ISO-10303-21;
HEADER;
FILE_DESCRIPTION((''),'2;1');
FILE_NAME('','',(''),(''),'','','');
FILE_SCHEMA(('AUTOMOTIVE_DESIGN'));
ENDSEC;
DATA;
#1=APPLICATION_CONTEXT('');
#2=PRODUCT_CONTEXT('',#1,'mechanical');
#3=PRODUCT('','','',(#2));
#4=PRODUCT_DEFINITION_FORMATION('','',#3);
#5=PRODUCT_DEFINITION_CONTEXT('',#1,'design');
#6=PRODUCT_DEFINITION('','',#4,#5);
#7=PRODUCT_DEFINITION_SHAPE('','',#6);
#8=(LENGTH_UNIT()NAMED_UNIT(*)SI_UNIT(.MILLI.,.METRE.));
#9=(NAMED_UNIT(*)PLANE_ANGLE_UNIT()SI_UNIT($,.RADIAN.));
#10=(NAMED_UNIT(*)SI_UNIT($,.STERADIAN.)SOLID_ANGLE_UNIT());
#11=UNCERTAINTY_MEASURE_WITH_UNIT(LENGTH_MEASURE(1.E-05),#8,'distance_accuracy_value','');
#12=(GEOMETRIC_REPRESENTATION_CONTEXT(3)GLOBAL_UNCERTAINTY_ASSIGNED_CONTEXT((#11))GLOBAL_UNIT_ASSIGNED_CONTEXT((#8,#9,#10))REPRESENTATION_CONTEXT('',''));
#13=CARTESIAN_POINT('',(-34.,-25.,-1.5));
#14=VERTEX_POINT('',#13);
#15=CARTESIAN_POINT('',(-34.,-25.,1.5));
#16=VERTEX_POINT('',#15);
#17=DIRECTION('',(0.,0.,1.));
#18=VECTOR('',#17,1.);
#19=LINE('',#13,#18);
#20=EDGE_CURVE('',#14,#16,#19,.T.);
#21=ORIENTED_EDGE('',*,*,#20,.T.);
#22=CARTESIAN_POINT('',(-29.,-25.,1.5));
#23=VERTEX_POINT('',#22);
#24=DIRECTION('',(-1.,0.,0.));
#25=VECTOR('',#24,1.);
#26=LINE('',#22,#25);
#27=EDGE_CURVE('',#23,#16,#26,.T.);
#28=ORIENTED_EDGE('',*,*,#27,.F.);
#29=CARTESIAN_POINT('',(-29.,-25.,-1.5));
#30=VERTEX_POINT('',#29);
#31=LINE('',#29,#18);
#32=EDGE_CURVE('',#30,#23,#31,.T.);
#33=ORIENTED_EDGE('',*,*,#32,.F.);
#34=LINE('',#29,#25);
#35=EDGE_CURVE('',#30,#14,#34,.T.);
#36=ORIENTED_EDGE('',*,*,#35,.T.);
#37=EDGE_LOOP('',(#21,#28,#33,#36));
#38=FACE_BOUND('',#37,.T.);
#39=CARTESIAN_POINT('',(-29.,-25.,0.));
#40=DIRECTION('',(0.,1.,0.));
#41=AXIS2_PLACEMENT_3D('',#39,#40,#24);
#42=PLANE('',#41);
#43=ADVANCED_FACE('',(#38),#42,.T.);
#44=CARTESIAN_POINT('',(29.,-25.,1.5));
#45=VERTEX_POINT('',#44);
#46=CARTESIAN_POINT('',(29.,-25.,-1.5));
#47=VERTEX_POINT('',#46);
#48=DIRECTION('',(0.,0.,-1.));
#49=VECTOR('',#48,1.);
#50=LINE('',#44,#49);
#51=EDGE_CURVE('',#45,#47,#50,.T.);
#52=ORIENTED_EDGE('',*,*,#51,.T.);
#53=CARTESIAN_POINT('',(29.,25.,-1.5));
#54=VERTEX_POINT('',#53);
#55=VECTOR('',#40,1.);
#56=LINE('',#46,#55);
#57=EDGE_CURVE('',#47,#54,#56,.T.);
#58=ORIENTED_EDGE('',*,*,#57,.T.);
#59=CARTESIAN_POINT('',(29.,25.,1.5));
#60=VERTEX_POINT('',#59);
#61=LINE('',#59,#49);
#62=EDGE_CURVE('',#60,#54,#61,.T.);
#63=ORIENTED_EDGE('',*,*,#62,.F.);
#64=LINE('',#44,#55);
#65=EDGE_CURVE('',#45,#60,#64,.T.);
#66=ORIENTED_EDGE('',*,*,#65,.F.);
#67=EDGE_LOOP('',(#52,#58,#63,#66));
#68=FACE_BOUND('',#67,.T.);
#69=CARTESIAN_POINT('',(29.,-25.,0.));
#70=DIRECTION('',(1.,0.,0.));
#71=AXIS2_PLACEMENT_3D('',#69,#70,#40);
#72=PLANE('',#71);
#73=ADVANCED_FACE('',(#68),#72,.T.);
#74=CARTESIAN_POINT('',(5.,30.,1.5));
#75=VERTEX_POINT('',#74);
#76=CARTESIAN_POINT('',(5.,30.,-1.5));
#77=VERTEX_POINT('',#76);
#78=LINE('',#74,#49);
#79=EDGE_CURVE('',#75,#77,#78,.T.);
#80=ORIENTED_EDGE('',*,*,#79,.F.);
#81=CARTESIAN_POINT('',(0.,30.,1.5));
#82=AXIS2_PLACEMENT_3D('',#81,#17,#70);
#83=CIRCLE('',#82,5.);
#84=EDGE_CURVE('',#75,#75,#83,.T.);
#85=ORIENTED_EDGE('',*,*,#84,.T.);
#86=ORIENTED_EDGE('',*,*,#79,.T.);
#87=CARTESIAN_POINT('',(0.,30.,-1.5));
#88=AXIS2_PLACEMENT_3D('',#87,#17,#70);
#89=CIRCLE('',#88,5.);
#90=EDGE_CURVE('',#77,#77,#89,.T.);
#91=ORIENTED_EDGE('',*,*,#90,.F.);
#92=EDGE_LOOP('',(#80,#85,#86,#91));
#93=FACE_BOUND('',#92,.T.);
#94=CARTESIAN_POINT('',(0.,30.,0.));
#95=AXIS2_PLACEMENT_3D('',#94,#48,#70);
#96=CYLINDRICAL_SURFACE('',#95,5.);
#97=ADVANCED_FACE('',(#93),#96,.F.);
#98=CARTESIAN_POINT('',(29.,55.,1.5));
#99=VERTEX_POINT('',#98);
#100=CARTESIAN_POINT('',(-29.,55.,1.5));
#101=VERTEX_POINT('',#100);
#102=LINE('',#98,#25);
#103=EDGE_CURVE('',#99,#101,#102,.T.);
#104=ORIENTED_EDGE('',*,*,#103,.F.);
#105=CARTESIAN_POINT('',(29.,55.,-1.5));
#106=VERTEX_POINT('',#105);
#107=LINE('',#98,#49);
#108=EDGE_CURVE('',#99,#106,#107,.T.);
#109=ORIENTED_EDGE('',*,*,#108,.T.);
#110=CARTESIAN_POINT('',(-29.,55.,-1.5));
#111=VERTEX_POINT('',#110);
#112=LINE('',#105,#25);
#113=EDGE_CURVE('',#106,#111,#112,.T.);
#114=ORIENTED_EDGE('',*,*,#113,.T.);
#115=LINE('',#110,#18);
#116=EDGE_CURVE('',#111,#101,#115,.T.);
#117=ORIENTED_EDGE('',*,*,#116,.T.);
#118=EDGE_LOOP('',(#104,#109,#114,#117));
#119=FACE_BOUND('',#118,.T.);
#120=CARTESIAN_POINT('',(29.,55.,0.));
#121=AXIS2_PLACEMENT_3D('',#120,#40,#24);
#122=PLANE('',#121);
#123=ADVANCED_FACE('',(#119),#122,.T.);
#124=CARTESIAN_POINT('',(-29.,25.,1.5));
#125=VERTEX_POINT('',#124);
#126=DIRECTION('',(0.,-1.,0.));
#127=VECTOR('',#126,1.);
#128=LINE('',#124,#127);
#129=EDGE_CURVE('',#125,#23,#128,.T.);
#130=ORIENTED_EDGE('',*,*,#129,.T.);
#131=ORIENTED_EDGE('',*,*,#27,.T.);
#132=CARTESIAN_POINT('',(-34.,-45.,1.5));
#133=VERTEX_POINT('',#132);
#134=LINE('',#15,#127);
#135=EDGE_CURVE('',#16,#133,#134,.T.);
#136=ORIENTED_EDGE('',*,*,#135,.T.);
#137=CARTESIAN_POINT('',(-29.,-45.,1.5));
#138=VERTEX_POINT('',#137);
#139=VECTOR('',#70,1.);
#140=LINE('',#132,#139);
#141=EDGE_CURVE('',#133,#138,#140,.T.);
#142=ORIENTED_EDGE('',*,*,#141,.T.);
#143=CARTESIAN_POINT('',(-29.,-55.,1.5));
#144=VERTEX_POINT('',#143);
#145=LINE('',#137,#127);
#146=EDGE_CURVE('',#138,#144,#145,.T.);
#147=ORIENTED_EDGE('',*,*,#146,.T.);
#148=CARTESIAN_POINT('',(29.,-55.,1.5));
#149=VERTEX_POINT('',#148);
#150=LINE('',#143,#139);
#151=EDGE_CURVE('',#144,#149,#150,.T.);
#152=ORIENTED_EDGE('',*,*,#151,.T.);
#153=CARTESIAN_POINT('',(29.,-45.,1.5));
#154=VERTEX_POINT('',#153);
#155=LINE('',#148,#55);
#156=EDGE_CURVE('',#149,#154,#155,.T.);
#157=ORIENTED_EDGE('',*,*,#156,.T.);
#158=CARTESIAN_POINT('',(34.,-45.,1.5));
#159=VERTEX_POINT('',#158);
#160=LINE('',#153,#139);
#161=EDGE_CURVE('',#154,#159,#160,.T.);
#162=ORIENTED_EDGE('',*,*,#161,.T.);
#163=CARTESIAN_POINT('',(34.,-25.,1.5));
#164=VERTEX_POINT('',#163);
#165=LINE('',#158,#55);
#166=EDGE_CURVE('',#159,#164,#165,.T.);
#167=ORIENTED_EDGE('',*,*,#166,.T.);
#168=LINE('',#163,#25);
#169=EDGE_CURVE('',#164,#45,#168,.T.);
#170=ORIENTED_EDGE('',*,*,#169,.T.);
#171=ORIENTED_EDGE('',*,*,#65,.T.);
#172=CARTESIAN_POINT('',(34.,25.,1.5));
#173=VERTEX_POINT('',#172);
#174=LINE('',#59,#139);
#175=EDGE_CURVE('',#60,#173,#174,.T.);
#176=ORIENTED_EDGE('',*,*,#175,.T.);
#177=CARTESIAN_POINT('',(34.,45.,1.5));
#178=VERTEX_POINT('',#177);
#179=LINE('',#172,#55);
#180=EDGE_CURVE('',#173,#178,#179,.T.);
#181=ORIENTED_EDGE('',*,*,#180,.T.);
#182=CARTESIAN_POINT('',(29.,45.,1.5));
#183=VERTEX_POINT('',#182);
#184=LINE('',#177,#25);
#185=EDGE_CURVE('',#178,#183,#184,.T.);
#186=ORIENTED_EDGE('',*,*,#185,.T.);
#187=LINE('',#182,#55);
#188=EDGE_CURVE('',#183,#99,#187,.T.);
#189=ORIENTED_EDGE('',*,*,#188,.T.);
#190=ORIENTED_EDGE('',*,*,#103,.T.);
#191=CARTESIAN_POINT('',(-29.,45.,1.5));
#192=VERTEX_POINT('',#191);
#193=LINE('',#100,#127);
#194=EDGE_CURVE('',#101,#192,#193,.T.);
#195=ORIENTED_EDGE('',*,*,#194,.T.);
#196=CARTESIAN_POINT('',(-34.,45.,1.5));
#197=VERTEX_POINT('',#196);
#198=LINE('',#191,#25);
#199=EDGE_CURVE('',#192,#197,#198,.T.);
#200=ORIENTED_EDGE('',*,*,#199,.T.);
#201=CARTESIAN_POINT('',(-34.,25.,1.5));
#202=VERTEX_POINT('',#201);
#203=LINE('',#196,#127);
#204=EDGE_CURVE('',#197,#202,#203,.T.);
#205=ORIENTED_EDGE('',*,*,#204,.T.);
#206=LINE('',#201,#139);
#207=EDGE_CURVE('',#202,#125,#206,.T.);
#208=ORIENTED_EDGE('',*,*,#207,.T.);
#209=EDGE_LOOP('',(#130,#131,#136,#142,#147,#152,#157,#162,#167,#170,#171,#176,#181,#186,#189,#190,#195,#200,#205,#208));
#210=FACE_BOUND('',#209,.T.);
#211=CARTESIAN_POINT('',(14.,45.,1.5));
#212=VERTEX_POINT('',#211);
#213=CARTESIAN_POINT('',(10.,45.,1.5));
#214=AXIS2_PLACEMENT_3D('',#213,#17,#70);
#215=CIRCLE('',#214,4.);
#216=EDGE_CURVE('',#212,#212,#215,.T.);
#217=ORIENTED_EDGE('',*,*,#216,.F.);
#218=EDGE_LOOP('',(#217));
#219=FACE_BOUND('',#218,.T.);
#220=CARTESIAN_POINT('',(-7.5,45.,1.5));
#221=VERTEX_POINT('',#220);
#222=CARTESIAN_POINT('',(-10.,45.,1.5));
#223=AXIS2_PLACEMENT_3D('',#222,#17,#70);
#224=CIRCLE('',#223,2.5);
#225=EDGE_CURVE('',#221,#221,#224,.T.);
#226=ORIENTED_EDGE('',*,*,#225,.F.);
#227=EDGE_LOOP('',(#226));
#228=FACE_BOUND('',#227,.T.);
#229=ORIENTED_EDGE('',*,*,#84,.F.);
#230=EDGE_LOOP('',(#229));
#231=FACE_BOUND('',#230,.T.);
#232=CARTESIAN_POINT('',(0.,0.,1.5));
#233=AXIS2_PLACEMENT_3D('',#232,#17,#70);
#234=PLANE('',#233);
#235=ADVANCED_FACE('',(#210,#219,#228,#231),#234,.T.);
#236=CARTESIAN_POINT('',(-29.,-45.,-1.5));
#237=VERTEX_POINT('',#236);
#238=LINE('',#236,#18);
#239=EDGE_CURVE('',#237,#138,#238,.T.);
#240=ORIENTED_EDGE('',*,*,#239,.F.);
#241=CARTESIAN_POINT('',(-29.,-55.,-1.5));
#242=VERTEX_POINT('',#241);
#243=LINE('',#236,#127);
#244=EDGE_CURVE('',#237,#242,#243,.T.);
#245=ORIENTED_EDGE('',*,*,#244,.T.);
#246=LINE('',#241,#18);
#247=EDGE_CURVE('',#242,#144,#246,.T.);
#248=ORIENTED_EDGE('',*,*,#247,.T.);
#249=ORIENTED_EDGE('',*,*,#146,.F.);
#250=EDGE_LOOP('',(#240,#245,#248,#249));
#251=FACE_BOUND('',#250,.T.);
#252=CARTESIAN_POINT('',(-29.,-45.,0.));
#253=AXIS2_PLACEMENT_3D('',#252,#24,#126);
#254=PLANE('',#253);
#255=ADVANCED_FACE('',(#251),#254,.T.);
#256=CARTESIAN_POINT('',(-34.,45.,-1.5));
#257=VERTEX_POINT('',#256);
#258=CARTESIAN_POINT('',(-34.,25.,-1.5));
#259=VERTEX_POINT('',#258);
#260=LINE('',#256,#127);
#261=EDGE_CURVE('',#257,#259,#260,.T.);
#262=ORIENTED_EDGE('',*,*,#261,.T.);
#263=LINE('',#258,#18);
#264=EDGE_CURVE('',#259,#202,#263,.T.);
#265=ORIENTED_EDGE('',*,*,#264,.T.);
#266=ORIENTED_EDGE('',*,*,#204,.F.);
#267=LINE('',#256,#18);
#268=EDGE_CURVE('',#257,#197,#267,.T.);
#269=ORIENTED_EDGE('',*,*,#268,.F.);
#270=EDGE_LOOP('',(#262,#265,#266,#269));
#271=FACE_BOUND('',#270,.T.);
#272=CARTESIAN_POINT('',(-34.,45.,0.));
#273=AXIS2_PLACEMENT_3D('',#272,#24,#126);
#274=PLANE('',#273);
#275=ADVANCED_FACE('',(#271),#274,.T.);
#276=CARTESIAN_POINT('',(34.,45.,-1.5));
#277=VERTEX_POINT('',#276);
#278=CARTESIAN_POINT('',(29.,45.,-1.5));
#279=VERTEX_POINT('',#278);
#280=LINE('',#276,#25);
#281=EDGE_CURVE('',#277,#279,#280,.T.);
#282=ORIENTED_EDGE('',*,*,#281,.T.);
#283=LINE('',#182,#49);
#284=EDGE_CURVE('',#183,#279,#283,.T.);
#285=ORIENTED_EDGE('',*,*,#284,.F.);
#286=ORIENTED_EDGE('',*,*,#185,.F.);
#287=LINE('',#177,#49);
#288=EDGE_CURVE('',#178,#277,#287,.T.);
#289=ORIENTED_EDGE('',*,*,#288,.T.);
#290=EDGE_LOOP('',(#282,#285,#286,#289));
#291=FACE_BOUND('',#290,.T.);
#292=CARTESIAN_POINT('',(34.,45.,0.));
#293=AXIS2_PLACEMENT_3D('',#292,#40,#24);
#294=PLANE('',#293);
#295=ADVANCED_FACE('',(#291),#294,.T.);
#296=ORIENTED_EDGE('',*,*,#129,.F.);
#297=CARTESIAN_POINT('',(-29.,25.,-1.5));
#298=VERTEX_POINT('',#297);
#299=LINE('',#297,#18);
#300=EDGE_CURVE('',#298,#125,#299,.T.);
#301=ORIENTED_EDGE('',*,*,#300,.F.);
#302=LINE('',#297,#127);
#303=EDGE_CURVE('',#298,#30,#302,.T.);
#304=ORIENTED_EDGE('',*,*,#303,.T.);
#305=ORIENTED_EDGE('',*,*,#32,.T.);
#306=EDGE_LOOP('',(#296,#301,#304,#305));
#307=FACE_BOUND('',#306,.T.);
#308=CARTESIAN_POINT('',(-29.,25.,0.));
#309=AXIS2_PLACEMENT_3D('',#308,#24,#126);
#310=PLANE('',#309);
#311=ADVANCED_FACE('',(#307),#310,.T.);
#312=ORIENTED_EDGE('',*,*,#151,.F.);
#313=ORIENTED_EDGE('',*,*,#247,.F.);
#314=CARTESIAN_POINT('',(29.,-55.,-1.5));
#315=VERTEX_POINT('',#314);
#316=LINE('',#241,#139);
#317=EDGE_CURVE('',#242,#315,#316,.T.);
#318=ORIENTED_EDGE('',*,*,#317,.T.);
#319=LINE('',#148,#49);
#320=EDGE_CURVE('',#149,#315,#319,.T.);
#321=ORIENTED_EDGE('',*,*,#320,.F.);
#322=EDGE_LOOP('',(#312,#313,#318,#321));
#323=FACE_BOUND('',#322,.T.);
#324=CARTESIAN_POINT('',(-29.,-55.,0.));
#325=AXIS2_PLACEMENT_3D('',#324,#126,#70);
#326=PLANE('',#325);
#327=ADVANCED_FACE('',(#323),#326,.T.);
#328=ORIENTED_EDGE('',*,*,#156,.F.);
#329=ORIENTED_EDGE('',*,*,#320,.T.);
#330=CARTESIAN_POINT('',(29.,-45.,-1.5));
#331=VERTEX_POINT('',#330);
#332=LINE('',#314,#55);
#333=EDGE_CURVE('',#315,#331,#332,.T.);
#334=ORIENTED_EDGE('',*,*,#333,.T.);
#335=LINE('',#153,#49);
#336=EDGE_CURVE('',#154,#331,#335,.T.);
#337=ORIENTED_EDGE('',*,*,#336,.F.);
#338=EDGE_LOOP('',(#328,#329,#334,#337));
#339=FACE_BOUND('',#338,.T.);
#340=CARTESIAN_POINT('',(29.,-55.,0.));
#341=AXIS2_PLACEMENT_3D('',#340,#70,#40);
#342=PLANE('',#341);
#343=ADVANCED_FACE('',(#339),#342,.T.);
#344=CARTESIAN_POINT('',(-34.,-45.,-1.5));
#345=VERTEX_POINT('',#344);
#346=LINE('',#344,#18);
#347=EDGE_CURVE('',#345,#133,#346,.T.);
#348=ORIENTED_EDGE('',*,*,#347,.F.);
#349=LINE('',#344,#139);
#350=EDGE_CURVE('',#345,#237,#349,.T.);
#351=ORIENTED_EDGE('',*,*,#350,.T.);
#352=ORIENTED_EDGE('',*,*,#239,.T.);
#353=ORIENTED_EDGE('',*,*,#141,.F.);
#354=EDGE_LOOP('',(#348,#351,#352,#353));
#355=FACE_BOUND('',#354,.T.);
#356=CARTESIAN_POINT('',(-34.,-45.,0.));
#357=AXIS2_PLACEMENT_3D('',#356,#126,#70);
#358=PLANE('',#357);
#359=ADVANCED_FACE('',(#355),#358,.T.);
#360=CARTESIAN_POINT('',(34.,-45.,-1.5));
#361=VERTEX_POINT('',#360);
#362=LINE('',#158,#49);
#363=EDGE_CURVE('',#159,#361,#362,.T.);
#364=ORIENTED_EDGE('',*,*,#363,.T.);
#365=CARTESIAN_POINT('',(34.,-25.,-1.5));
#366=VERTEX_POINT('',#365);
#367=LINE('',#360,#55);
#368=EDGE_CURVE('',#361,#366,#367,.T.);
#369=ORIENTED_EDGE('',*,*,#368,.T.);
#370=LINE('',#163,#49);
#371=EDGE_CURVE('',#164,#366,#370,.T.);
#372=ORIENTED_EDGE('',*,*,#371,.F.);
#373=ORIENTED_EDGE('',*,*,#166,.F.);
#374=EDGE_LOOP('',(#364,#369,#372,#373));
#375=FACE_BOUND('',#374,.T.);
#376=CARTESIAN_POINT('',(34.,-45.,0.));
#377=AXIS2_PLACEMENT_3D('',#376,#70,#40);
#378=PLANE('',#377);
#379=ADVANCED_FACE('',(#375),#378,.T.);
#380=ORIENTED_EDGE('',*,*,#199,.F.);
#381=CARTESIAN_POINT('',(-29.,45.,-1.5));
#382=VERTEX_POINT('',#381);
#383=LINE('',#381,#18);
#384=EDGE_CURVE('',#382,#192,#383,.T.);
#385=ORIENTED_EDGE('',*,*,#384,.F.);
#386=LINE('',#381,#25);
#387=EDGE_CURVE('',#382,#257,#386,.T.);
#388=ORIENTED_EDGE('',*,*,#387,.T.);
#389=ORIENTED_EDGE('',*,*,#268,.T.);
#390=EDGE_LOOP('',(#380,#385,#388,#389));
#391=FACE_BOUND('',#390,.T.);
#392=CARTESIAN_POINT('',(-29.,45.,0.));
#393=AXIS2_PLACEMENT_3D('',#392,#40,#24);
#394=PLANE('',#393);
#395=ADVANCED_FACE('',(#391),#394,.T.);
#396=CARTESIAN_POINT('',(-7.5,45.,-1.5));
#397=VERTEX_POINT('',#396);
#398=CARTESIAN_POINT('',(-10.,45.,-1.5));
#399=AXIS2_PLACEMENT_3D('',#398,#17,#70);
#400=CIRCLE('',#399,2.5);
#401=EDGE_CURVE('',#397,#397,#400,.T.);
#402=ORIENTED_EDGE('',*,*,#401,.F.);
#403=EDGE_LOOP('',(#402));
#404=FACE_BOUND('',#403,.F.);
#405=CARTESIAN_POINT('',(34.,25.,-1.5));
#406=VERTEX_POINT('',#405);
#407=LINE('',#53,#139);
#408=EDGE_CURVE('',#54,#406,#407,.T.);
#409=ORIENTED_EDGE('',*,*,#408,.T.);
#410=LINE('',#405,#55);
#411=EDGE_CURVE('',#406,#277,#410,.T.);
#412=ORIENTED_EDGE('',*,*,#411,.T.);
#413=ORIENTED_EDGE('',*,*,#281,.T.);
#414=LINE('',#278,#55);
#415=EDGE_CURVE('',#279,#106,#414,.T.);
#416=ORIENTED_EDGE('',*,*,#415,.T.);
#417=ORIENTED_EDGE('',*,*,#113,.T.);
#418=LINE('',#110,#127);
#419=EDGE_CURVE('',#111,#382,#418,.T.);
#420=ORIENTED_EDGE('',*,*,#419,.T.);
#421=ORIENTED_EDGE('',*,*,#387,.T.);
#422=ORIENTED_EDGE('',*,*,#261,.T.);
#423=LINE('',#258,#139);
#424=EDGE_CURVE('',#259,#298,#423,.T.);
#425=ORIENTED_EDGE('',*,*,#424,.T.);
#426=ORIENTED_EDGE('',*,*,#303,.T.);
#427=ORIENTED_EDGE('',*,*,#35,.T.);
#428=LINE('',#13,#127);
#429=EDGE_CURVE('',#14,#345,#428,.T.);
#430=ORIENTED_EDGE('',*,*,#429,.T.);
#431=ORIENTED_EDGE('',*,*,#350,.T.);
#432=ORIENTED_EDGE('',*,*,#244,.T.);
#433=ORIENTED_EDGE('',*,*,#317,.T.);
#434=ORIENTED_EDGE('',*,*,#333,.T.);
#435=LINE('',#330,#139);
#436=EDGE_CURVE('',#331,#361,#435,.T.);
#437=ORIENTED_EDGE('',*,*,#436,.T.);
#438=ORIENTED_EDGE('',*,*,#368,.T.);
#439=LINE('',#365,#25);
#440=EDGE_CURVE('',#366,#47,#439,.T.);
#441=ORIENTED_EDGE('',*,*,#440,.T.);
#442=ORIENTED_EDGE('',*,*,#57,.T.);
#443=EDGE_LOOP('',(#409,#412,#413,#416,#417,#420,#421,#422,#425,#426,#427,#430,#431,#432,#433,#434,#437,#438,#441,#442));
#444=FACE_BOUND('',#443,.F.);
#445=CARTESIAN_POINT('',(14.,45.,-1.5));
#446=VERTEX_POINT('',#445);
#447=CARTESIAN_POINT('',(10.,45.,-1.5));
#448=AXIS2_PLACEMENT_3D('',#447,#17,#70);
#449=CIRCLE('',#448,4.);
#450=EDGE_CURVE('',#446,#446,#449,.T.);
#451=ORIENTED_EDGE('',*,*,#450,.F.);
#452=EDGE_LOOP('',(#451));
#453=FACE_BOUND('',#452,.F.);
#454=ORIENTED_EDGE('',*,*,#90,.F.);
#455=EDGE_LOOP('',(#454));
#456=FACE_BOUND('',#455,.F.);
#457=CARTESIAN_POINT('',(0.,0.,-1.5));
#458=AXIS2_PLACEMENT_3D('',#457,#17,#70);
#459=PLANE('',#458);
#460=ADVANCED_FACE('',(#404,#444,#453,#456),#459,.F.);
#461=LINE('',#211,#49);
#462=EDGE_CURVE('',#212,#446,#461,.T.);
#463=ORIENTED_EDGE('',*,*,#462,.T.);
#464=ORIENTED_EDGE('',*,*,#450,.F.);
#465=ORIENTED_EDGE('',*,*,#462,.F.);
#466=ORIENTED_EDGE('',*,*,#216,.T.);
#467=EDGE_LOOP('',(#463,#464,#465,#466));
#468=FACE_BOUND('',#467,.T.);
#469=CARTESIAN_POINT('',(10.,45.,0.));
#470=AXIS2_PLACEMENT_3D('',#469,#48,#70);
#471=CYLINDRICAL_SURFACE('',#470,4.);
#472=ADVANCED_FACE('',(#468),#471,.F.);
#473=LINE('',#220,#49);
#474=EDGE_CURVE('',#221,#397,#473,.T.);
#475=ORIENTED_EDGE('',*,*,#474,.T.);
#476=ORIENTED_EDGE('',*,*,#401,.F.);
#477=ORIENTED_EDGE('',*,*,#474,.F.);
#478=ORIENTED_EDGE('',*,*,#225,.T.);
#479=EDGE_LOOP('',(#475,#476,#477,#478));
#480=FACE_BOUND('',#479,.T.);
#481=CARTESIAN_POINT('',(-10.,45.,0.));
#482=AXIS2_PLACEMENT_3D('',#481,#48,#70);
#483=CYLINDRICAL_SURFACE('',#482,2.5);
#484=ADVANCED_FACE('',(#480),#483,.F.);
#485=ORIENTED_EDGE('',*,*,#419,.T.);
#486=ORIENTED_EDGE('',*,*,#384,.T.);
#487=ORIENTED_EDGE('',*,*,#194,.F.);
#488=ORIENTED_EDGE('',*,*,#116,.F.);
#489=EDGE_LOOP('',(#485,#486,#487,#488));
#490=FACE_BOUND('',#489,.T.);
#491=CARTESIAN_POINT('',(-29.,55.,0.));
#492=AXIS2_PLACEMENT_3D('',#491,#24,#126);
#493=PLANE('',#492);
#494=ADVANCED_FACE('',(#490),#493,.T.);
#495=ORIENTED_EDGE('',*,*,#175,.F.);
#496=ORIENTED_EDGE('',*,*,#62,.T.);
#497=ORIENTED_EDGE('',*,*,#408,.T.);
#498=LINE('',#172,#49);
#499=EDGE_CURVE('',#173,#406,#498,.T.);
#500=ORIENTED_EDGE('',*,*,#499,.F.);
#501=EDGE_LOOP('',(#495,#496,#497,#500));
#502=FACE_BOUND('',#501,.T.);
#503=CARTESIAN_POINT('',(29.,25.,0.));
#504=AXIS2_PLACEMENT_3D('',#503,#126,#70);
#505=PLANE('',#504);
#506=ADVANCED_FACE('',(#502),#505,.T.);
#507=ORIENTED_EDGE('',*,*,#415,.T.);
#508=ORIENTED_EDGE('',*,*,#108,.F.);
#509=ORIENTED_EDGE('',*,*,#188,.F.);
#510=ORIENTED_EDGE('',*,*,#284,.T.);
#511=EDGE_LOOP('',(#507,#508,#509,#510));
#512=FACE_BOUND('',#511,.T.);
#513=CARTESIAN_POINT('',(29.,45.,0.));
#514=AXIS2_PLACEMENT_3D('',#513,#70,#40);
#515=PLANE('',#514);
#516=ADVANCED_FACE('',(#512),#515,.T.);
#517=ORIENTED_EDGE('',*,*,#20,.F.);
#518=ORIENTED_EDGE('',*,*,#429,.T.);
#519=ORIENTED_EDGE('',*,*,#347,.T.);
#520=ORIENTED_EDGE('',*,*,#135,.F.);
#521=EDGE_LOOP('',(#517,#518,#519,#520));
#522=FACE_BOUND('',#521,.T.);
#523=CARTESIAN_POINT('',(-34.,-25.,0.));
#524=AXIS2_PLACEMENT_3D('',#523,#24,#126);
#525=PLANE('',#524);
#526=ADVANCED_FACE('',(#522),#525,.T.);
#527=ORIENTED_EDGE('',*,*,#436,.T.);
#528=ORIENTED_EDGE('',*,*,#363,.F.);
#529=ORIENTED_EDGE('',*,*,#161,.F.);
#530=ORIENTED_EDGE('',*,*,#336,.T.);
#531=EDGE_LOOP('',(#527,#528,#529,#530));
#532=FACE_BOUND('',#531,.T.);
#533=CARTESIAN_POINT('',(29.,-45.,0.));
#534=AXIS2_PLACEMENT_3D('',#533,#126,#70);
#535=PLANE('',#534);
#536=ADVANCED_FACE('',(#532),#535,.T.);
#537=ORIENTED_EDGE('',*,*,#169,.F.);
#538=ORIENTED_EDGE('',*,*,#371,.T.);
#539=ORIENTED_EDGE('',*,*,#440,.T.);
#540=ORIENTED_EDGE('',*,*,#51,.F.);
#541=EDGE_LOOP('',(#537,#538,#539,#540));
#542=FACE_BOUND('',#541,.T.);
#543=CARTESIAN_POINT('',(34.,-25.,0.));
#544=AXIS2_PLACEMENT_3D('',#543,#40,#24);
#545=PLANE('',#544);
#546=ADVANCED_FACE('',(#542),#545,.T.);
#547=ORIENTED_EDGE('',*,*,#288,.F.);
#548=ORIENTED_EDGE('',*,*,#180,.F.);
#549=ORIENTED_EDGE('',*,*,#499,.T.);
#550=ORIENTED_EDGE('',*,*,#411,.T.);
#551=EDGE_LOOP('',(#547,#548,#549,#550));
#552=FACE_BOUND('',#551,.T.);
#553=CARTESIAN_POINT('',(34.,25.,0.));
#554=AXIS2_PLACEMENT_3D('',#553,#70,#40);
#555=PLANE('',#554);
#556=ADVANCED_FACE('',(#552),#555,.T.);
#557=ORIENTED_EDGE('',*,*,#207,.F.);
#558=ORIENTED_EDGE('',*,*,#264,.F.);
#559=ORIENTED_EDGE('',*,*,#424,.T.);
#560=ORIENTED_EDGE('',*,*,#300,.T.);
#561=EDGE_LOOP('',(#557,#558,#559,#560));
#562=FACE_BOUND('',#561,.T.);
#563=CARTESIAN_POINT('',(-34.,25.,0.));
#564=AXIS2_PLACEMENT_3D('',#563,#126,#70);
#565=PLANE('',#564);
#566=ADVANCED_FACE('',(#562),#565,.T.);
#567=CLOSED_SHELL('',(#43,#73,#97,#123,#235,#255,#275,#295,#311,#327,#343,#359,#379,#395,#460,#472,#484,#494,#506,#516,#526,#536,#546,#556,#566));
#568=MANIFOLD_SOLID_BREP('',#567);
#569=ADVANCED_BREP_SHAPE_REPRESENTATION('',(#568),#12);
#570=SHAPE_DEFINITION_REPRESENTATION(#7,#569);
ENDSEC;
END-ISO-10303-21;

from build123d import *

# Parameters (mm, degrees)
F0_R     = 2.5
F0_R_2   = 5
F0_R_3   = 4
F1_DEPTH = 1.5


with BuildPart() as f1:
    # F0 (on Top) → F1 (new body, symmetric)
    with BuildSketch(Plane.XY):
        Polygon((29, 55), (-29, 55), (-29, 45), (-34, 45), (-34, 25), (-29, 25), (-29, -25), (-34, -25), (-34, -45), (-29, -45), (-29, -55), (29, -55), (29, -45), (34, -45), (34, -25), (29, -25), (29, 25), (34, 25), (34, 45), (29, 45), align=None)
        with Locations((-10, 45)):
            Circle(F0_R, mode=Mode.SUBTRACT)
        with Locations((0, 30)):
            Circle(F0_R_2, mode=Mode.SUBTRACT)
        with Locations((10, 45)):
            Circle(F0_R_3, mode=Mode.SUBTRACT)
    extrude(amount=F1_DEPTH, both=True)


solid = f1.part
